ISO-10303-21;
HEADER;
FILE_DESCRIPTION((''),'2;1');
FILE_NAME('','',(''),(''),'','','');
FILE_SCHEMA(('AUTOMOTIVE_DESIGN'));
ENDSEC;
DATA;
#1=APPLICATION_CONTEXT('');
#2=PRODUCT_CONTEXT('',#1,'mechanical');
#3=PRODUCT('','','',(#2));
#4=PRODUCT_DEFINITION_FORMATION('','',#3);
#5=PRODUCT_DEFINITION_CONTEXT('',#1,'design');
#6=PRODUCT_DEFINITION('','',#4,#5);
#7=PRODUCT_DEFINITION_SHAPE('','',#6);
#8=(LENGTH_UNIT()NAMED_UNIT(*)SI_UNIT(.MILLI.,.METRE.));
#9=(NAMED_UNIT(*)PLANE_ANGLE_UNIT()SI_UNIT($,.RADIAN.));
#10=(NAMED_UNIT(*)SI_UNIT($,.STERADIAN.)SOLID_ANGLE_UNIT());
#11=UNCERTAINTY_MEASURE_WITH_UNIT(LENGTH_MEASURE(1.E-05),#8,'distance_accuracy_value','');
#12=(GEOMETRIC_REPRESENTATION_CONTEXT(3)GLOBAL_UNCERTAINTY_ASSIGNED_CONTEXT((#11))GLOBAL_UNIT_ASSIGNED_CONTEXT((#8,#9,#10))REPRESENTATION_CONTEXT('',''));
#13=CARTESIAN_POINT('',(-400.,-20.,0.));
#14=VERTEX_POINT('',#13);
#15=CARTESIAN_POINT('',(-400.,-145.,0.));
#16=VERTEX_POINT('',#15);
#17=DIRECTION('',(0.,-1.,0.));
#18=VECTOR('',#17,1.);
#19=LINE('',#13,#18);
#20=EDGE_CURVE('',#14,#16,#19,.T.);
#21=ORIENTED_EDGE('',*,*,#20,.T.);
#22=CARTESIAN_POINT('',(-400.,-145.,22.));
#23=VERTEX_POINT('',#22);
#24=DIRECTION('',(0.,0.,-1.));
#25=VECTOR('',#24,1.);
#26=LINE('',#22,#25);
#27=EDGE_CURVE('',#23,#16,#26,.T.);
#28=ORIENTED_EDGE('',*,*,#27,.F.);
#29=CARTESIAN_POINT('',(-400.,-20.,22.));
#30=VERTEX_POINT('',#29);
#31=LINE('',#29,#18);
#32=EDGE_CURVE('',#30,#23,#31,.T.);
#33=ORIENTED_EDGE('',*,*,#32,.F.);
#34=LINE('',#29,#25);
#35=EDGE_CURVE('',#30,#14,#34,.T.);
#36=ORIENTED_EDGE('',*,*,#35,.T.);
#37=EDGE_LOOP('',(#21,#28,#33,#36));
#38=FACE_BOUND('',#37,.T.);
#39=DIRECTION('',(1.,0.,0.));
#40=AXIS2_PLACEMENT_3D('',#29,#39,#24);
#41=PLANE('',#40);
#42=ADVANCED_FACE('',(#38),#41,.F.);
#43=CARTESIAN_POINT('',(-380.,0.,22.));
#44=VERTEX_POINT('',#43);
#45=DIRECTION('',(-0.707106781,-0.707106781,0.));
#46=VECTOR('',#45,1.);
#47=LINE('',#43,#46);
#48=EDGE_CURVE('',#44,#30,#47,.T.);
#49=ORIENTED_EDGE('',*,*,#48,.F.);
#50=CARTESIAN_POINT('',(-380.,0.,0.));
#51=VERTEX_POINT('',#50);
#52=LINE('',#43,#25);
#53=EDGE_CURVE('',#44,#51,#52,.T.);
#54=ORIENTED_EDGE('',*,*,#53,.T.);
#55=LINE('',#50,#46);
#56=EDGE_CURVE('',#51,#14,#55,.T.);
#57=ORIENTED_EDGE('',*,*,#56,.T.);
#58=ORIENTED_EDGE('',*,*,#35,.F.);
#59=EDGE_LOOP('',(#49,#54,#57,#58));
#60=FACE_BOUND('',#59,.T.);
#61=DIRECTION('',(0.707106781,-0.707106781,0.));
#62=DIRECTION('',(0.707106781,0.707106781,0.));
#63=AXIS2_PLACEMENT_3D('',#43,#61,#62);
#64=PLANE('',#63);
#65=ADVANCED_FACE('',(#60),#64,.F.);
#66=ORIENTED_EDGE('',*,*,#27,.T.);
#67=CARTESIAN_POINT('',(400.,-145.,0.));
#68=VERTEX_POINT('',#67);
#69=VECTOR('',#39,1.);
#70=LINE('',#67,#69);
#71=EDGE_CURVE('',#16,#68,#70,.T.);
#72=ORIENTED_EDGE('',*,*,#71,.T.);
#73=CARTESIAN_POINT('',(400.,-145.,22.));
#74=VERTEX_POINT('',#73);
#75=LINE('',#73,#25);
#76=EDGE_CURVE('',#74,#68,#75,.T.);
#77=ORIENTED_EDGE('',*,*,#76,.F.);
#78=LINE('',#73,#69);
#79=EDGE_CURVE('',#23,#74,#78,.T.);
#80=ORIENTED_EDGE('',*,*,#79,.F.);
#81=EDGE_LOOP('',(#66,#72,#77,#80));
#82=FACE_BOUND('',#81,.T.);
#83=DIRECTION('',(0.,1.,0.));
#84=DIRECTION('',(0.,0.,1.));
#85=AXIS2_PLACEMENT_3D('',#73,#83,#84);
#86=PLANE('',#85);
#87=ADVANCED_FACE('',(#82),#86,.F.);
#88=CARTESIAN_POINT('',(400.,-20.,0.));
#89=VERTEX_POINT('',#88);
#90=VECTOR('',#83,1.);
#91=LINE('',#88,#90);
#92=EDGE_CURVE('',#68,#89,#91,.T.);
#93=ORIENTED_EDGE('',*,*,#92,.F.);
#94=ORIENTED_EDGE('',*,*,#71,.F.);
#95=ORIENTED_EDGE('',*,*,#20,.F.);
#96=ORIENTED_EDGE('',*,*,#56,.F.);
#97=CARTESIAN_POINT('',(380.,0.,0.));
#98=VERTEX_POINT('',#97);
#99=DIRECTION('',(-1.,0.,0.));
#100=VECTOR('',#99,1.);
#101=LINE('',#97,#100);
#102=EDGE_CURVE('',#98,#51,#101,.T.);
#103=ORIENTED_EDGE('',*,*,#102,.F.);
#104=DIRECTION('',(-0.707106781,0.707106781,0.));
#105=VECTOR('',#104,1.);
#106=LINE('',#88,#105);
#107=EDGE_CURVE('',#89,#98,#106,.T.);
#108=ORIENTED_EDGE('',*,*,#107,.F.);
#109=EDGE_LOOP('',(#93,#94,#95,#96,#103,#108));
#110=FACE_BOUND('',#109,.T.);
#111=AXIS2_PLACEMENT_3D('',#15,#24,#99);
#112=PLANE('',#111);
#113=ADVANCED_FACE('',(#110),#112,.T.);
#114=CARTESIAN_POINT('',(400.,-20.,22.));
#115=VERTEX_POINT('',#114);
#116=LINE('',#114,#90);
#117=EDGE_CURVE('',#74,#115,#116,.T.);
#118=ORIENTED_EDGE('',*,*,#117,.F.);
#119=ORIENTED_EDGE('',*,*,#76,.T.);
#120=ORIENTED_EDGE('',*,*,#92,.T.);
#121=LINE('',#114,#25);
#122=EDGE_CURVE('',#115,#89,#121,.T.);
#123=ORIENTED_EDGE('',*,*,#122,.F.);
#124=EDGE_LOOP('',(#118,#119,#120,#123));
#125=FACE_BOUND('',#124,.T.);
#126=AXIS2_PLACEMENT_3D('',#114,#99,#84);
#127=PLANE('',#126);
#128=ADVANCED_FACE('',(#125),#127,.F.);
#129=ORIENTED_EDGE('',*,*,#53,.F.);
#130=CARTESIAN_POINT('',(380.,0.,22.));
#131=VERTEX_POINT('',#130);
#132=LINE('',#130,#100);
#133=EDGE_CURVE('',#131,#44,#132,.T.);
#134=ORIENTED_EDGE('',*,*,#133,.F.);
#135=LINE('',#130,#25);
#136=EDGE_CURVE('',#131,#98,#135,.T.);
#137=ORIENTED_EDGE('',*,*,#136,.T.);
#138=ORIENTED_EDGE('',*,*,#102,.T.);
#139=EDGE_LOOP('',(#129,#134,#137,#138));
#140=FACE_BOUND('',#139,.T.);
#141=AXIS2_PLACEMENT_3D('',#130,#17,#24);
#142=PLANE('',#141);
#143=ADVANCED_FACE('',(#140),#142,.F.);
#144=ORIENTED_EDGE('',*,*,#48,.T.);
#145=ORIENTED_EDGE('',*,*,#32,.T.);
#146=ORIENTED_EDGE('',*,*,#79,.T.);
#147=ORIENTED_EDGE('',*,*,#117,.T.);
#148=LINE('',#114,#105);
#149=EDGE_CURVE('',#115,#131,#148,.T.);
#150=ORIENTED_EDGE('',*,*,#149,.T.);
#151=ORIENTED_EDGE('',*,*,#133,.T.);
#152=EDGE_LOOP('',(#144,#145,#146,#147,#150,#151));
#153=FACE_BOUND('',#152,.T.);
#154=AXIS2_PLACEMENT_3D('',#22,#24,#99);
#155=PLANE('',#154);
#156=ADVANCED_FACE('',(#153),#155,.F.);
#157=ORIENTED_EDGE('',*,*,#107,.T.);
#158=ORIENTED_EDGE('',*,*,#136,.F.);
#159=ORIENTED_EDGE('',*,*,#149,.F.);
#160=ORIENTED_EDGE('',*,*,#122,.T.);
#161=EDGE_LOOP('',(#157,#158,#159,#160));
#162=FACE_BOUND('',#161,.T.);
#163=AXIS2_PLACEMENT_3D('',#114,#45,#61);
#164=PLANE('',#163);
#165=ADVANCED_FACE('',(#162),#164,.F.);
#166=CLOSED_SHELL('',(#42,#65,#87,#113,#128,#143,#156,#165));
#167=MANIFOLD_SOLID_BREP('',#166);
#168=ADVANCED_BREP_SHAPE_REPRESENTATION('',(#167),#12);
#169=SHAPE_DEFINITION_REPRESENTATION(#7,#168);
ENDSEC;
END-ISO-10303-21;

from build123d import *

# Parameters (mm, degrees)
BOSS_EXTRUDE1_DEPTH = 22


with BuildPart() as part:
    # Sketch1 → Boss-Extrude1 (new body)
    with BuildSketch(Plane.XY):
        Polygon((400, -20), (380, 0), (-380, 0), (-400, -20), (-400, -145), (400, -145), align=None)
    extrude(amount=BOSS_EXTRUDE1_DEPTH)


solid = part.part
